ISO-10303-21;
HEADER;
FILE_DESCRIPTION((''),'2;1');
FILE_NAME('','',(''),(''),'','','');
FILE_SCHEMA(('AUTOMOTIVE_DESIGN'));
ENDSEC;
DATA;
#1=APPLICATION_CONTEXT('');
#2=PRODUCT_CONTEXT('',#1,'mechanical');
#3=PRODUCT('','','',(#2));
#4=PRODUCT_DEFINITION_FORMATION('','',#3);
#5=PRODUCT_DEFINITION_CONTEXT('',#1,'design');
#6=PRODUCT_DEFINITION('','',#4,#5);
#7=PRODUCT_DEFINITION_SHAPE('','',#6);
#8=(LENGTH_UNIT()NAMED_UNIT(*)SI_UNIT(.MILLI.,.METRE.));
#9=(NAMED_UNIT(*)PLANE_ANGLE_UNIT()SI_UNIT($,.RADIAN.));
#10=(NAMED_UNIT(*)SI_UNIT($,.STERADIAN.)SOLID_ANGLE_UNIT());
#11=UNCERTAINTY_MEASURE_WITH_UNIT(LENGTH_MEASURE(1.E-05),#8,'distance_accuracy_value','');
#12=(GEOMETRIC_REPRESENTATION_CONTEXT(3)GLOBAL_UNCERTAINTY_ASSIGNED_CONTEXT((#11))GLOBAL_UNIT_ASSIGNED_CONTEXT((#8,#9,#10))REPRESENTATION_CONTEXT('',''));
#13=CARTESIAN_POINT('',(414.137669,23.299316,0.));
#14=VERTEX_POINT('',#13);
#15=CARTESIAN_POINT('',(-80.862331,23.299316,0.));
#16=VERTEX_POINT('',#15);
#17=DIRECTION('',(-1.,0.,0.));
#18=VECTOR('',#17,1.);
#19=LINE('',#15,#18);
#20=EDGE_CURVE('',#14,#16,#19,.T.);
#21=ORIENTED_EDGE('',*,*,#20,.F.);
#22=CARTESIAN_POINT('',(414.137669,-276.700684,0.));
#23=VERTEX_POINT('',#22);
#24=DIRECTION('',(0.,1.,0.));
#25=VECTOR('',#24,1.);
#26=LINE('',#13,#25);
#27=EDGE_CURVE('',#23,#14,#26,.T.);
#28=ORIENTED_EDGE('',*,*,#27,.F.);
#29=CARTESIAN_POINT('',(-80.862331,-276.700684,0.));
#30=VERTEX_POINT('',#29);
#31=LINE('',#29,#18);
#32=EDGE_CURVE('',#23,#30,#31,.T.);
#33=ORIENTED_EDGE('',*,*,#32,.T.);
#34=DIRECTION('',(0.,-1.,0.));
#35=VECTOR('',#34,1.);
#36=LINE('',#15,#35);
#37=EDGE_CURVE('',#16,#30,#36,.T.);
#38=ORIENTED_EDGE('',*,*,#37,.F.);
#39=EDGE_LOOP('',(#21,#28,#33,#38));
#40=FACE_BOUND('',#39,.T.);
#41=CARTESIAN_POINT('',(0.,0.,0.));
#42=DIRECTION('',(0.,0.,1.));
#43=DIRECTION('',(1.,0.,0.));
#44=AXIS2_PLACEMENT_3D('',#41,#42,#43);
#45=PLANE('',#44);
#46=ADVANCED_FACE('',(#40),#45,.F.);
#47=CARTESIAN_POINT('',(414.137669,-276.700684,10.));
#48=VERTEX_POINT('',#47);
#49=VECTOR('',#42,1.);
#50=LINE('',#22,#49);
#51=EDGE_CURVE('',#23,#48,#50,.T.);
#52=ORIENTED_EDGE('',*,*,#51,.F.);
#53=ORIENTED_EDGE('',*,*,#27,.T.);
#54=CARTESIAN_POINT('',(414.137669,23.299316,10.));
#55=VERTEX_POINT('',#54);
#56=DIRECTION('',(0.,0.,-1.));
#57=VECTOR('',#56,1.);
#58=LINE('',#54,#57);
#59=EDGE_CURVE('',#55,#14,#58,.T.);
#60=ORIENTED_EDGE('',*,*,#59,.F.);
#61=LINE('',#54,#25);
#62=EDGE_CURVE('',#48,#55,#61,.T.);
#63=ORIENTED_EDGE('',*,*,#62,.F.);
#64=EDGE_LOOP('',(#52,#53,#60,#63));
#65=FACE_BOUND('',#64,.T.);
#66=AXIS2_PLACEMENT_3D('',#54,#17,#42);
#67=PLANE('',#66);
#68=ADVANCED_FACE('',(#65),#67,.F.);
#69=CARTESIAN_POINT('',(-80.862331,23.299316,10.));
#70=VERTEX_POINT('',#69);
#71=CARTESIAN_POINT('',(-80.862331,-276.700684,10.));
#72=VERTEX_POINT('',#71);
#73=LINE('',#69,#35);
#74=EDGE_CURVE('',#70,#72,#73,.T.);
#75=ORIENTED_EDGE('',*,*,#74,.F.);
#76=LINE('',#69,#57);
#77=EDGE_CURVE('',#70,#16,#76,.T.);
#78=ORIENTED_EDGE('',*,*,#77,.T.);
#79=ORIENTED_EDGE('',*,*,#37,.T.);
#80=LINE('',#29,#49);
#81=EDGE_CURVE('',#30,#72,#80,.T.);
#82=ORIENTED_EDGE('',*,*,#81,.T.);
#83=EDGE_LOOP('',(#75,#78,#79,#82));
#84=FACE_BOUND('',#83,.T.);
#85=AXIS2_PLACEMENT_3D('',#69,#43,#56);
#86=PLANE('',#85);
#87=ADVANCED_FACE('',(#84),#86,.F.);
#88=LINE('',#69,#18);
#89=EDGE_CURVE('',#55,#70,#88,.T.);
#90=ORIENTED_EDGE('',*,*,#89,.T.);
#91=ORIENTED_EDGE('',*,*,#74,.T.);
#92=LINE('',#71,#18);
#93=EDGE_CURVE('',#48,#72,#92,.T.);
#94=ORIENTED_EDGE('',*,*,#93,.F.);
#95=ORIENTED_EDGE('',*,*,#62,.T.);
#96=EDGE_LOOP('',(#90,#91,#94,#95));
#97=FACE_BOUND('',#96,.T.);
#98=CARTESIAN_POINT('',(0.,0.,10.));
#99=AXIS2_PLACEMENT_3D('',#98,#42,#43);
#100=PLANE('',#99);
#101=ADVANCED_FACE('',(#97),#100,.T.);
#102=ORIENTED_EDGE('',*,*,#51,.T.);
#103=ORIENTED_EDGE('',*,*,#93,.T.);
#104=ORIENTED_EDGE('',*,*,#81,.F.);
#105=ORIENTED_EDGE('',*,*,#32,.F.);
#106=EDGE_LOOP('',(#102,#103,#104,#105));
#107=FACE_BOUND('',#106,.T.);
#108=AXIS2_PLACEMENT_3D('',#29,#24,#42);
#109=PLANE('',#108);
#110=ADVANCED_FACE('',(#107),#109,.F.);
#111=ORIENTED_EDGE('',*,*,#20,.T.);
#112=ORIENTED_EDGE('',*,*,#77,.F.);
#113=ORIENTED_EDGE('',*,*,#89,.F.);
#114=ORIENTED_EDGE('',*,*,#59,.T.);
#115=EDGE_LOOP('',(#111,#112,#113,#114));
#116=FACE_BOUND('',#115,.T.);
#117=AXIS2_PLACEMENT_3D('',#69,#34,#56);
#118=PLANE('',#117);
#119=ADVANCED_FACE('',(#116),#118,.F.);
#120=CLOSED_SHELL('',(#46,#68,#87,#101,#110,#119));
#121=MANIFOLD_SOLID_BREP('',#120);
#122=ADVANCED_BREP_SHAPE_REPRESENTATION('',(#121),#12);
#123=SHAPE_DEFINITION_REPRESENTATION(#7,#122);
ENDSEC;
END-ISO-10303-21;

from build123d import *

# Parameters (mm, degrees)
SKETCH_1_W          = 495
SKETCH_1_H          = 500
EXTRUDE_1_DEPTH     = 10
SKETCH_2_W          = 495
SKETCH_2_H          = 200
CUT_EXTRUDE_1_DEPTH = 10


with BuildPart() as part:
    # 草图1 → 凸台-拉伸1 (new body)
    with BuildSketch(Plane.XY):
        with Locations((166.637668658, -226.70068419)):
            Rectangle(SKETCH_1_W, SKETCH_1_H)
    extrude(amount=EXTRUDE_1_DEPTH)

    # 草图2 → 切除-拉伸1 (cut)
    with BuildSketch(Plane.XY.offset(10)):
        with Locations((166.637668658, -376.70068419)):
            Rectangle(SKETCH_2_W, SKETCH_2_H)
    extrude(amount=-CUT_EXTRUDE_1_DEPTH, mode=Mode.SUBTRACT)


solid = part.part
